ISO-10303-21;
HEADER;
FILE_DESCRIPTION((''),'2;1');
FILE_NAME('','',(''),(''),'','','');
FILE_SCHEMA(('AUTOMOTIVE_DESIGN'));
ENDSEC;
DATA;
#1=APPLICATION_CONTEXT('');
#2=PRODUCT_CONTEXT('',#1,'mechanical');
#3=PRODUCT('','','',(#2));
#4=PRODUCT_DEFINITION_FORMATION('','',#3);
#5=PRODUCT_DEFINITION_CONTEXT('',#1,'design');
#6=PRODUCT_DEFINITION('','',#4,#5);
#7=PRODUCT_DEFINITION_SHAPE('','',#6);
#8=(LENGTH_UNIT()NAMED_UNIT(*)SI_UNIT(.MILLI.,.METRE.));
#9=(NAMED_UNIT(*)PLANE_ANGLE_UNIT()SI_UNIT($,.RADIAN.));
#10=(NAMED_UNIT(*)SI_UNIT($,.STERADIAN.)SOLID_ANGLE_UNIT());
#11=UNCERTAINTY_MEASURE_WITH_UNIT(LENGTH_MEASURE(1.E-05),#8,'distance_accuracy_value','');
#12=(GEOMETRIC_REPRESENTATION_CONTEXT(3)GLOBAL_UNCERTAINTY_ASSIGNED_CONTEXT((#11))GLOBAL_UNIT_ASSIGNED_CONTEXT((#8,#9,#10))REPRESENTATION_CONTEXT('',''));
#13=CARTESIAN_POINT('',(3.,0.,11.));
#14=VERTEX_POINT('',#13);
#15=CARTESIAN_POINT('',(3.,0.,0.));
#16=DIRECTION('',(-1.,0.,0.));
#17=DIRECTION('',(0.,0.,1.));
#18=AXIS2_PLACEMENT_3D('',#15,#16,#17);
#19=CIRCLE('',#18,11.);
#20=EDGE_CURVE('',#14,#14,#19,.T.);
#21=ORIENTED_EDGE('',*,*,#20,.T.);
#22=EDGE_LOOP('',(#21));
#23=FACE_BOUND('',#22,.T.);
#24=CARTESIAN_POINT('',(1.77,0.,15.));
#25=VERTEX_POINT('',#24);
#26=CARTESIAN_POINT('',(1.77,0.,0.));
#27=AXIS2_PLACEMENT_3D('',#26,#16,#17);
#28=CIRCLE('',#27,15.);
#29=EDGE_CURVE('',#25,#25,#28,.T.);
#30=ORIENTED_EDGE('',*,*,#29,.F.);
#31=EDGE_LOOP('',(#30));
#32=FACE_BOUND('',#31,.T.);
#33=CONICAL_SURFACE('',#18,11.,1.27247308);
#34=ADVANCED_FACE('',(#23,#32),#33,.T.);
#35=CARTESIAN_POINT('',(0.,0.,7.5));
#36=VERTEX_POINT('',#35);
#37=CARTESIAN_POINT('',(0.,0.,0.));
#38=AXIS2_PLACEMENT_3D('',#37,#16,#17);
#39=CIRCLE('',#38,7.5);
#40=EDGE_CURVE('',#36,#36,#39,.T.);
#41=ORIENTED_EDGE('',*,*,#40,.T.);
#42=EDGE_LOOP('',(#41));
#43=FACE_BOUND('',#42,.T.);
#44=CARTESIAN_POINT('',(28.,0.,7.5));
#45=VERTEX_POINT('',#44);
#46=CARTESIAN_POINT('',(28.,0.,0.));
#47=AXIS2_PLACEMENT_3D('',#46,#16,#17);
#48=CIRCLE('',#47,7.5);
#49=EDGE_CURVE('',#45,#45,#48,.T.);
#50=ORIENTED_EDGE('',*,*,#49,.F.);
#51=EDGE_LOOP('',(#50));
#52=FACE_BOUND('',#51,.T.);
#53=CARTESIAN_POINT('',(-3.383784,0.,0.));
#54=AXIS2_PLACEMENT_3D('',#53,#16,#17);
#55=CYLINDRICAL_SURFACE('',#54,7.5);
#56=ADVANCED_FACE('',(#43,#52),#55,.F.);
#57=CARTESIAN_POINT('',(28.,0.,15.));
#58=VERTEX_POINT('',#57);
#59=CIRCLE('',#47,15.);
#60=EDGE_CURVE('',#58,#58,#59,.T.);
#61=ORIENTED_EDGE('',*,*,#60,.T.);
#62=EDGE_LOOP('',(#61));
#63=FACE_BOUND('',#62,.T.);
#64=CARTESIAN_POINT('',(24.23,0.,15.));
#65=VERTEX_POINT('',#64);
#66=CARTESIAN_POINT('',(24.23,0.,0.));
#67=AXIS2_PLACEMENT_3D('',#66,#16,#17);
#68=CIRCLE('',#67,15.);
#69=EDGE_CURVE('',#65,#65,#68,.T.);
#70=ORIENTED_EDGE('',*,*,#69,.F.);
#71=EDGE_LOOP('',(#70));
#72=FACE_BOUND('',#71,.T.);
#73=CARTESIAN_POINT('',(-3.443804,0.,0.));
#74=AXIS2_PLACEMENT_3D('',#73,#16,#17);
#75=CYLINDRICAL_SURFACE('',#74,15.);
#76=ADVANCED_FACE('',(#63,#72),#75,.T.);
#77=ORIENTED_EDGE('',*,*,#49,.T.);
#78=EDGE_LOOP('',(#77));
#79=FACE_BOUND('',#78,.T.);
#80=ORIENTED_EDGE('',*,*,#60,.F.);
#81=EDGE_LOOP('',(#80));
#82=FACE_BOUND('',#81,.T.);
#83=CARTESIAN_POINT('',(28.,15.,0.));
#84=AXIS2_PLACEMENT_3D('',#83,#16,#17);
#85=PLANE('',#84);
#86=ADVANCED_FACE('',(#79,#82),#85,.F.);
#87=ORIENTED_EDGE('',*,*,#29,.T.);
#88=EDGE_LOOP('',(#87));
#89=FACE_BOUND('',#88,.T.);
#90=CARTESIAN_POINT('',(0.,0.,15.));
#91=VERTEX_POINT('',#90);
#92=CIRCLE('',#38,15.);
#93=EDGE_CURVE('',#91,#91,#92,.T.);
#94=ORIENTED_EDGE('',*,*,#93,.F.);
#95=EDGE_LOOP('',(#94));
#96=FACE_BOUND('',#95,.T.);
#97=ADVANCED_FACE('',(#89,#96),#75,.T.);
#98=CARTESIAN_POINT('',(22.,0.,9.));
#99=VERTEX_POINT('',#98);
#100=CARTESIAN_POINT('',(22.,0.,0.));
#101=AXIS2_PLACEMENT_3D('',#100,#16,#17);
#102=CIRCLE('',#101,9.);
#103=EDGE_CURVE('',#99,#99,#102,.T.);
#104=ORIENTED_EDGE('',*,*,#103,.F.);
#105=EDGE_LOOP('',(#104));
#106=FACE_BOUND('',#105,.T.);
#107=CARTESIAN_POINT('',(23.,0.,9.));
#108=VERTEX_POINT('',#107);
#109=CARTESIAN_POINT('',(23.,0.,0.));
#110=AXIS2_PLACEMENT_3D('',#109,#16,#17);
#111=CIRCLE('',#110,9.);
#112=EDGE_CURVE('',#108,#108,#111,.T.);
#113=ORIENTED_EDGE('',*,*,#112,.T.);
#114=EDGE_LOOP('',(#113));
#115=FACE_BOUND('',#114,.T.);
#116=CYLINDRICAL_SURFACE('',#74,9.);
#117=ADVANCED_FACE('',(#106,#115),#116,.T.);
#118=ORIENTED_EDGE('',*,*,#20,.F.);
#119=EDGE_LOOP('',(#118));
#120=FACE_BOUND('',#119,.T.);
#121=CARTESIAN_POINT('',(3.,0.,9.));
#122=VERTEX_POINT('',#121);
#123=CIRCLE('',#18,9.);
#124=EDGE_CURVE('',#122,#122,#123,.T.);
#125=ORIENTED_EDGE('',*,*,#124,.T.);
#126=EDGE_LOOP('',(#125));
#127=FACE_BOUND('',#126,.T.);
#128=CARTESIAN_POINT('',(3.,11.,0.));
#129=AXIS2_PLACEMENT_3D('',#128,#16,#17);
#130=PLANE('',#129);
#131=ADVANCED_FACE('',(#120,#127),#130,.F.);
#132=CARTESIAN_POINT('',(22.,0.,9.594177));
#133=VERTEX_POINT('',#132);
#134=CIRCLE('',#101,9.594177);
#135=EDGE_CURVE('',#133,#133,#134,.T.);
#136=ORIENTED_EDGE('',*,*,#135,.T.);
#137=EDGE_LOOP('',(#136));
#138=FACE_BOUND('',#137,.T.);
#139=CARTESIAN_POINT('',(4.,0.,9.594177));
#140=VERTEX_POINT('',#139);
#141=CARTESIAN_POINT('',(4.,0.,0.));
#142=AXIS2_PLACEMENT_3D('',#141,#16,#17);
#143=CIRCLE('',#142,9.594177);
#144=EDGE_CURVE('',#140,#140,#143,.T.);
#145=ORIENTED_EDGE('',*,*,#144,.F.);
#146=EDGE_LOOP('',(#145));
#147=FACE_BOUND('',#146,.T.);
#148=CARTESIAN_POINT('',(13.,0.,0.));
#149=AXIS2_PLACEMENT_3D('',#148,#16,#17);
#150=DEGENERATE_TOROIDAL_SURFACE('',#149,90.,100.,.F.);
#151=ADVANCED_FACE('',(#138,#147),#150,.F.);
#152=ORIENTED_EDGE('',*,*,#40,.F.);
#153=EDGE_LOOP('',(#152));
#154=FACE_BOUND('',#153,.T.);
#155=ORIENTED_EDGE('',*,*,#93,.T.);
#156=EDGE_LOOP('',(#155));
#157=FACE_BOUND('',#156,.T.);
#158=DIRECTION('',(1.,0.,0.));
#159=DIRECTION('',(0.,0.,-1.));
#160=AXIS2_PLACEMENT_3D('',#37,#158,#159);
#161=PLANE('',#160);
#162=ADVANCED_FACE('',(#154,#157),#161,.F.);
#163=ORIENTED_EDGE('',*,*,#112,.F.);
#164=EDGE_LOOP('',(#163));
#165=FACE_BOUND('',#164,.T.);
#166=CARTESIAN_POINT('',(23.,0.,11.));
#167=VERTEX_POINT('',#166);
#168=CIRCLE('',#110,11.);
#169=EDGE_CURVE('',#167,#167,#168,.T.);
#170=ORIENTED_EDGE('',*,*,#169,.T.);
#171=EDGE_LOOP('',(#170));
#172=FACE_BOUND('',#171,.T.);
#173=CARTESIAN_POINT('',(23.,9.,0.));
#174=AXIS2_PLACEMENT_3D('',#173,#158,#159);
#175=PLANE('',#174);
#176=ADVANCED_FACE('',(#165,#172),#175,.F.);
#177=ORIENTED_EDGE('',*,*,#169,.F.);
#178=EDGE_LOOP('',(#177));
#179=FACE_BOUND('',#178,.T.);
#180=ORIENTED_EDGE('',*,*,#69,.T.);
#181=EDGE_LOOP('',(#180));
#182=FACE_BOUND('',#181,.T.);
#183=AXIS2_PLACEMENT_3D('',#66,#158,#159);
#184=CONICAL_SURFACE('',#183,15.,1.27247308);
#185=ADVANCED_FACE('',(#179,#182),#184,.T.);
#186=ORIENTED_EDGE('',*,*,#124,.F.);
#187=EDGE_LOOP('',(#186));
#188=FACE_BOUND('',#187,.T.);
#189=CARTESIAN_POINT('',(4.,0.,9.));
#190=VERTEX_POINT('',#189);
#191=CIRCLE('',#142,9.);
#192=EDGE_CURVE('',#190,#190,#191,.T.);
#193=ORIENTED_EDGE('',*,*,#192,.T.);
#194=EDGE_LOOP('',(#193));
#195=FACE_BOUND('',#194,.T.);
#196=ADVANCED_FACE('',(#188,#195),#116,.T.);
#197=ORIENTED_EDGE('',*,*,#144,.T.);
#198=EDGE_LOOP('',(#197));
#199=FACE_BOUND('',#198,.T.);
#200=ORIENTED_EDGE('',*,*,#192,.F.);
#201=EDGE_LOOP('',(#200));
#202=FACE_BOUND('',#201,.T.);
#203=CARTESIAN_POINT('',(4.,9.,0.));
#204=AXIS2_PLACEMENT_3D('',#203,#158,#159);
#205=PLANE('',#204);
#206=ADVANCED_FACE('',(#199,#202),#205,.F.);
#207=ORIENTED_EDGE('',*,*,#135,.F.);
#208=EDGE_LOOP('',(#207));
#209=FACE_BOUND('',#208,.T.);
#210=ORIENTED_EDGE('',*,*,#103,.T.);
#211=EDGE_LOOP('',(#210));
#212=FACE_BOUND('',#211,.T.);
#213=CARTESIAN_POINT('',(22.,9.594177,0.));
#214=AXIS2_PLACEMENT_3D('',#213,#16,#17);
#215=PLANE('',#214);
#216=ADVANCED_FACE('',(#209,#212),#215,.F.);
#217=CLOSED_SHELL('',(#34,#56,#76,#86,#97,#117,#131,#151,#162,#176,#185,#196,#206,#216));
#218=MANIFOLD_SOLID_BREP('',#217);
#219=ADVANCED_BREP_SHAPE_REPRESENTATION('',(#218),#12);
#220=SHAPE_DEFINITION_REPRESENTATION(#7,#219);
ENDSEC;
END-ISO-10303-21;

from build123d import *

# Parameters (mm, degrees)
SKETCH2_W = 28
SKETCH2_H = 7.5


with BuildPart() as part:
    # Sketch1 → Revolve1 (revolve)
    with BuildSketch(Plane.XY, mode=Mode.PRIVATE) as revolve1_sk:
        with BuildLine():
            Line((0, 0), (0, 15))
            Line((0, 15), (1.77, 15))
            Line((1.77, 15), (3, 11))
            Line((3, 11), (3, 9))
            Line((3, 9), (4, 9))
            Line((4, 9), (4, 9.594176537))
            ThreePointArc((4, 9.594176537), (13, 10), (22, 9.594176537))
            Line((22, 9.594176537), (22, 9))
            Line((22, 9), (23, 9))
            Line((23, 9), (23, 11))
            Line((23, 11), (24.23, 15))
            Line((24.23, 15), (28, 15))
            Line((28, 15), (28, 0))
            Line((28, 0), (0, 0))
        make_face()
    revolve(revolve1_sk.sketch.rotate(Axis((-3.443803602, 0, 0), (1, 0, 0)), 90), axis=Axis((-3.443803602, 0, 0), (1, 0, 0)))

    # Sketch2 → Cut-Revolve1 (revolve, cut)
    with BuildSketch(Plane.XY, mode=Mode.PRIVATE) as cut_revolve1_sk:
        with Locations((14, 3.75)):
            Rectangle(SKETCH2_W, SKETCH2_H)
    revolve(cut_revolve1_sk.sketch.rotate(Axis((-3.383783784, 0, 0), (1, 0, 0)), 90), axis=Axis((-3.383783784, 0, 0), (1, 0, 0)), mode=Mode.SUBTRACT)


solid = part.part
